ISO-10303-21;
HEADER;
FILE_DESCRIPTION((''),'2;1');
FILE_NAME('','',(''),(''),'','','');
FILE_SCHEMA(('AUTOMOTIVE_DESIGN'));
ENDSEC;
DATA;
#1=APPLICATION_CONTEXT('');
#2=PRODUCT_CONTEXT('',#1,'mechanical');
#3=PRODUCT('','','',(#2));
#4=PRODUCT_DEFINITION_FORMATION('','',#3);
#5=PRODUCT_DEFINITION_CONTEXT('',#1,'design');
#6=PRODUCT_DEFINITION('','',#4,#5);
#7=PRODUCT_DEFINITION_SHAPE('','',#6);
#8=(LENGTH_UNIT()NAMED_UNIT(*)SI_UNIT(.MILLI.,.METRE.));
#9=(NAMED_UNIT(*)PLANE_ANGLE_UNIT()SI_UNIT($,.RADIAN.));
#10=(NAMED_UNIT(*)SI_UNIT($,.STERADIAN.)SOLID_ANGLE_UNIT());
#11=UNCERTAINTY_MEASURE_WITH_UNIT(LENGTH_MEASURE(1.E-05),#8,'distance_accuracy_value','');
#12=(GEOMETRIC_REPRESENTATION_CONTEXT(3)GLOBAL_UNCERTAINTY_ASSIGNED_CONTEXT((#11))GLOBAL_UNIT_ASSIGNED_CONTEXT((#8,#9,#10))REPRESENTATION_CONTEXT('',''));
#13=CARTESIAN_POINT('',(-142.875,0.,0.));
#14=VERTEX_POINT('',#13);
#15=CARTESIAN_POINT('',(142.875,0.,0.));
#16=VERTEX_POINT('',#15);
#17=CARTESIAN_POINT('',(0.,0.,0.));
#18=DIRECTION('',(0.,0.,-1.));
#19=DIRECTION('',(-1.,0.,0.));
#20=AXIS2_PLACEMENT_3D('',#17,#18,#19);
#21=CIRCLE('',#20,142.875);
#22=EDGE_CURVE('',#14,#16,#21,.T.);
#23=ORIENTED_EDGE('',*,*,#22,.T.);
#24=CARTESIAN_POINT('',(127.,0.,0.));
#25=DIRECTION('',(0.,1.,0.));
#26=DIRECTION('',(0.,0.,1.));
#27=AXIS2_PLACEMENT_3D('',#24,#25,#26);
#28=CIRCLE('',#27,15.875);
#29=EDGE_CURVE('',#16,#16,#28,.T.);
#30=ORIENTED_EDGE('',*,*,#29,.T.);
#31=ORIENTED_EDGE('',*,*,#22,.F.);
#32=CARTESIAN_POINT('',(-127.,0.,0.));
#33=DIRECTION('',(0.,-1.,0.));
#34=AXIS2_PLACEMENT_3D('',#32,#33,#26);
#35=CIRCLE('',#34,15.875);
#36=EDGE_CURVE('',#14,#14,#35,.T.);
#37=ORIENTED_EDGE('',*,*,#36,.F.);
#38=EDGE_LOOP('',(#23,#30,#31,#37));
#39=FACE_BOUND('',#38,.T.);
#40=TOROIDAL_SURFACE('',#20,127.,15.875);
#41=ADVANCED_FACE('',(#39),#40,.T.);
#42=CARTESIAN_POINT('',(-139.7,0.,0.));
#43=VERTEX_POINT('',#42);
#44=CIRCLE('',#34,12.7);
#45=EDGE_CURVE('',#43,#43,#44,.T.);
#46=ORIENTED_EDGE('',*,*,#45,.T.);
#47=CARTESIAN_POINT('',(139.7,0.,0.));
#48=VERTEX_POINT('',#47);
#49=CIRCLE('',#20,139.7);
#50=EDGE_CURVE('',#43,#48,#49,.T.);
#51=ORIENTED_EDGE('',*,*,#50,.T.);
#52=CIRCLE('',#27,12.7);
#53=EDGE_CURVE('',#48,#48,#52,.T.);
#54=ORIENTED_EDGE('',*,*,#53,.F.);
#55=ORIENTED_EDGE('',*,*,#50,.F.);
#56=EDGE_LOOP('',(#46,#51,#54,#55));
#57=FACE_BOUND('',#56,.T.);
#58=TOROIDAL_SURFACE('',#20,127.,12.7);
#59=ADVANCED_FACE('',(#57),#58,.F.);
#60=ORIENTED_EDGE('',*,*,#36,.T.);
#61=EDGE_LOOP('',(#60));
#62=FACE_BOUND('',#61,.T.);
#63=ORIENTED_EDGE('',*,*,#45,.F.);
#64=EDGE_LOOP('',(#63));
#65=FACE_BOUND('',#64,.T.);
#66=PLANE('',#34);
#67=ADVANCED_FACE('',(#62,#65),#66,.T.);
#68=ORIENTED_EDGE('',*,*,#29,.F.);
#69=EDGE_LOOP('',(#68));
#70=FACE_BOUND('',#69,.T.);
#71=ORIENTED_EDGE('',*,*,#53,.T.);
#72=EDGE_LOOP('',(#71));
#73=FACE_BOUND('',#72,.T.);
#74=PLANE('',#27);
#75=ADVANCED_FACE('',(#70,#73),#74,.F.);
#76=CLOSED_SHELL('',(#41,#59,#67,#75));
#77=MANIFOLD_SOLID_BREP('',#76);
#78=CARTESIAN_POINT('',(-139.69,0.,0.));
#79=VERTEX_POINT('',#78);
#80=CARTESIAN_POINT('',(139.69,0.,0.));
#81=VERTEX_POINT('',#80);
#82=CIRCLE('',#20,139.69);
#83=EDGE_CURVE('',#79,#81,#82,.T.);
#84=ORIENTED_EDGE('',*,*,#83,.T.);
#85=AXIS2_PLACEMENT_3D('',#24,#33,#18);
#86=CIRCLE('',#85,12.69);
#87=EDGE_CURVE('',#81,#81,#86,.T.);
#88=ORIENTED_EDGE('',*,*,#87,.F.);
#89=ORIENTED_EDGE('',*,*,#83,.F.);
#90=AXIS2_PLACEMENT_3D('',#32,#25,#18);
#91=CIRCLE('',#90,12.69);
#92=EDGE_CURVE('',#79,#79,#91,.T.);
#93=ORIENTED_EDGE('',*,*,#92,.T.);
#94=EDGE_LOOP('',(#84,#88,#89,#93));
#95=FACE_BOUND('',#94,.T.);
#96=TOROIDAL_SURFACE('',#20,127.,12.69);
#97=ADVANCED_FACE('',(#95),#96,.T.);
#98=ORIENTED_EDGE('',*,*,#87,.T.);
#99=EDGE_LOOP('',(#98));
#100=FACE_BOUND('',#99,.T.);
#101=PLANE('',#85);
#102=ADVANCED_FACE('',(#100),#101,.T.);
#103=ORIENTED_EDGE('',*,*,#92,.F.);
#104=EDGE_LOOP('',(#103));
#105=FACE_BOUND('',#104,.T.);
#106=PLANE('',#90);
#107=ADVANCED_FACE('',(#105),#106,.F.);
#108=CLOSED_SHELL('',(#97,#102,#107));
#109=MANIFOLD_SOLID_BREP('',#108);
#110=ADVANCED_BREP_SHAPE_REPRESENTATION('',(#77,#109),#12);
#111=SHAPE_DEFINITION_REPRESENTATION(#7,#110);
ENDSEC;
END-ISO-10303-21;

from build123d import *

# Parameters (mm, degrees)
SKETCH1_R      = 15.875
SKETCH1_R_2    = 12.7
REVOLVE1_ANGLE = 180
SKETCH2_R      = 12.69
REVOLVE2_ANGLE = 180


with BuildPart() as part:
    # Sketch1 → Revolve1 (revolve)
    with BuildSketch(Plane(origin=(0, 0, 0), x_dir=(1, 0, 0), z_dir=(0, 1, 0))):
        with Locations((127, 0)):
            Circle(SKETCH1_R)
        with Locations((127, 0)):
            Circle(SKETCH1_R_2, mode=Mode.SUBTRACT)
    revolve(axis=Axis((0, 0, 0), (0, 0, 1)), revolution_arc=REVOLVE1_ANGLE)


with BuildPart() as body_2:
    # Sketch2 → Revolve2 (revolve)
    with BuildSketch(Plane.XZ):
        with Locations((127, 0)):
            Circle(SKETCH2_R)
    revolve(axis=Axis((0, 0, 0), (0, 0, 1)), revolution_arc=REVOLVE2_ANGLE)


solid = Compound([part.part, body_2.part])
